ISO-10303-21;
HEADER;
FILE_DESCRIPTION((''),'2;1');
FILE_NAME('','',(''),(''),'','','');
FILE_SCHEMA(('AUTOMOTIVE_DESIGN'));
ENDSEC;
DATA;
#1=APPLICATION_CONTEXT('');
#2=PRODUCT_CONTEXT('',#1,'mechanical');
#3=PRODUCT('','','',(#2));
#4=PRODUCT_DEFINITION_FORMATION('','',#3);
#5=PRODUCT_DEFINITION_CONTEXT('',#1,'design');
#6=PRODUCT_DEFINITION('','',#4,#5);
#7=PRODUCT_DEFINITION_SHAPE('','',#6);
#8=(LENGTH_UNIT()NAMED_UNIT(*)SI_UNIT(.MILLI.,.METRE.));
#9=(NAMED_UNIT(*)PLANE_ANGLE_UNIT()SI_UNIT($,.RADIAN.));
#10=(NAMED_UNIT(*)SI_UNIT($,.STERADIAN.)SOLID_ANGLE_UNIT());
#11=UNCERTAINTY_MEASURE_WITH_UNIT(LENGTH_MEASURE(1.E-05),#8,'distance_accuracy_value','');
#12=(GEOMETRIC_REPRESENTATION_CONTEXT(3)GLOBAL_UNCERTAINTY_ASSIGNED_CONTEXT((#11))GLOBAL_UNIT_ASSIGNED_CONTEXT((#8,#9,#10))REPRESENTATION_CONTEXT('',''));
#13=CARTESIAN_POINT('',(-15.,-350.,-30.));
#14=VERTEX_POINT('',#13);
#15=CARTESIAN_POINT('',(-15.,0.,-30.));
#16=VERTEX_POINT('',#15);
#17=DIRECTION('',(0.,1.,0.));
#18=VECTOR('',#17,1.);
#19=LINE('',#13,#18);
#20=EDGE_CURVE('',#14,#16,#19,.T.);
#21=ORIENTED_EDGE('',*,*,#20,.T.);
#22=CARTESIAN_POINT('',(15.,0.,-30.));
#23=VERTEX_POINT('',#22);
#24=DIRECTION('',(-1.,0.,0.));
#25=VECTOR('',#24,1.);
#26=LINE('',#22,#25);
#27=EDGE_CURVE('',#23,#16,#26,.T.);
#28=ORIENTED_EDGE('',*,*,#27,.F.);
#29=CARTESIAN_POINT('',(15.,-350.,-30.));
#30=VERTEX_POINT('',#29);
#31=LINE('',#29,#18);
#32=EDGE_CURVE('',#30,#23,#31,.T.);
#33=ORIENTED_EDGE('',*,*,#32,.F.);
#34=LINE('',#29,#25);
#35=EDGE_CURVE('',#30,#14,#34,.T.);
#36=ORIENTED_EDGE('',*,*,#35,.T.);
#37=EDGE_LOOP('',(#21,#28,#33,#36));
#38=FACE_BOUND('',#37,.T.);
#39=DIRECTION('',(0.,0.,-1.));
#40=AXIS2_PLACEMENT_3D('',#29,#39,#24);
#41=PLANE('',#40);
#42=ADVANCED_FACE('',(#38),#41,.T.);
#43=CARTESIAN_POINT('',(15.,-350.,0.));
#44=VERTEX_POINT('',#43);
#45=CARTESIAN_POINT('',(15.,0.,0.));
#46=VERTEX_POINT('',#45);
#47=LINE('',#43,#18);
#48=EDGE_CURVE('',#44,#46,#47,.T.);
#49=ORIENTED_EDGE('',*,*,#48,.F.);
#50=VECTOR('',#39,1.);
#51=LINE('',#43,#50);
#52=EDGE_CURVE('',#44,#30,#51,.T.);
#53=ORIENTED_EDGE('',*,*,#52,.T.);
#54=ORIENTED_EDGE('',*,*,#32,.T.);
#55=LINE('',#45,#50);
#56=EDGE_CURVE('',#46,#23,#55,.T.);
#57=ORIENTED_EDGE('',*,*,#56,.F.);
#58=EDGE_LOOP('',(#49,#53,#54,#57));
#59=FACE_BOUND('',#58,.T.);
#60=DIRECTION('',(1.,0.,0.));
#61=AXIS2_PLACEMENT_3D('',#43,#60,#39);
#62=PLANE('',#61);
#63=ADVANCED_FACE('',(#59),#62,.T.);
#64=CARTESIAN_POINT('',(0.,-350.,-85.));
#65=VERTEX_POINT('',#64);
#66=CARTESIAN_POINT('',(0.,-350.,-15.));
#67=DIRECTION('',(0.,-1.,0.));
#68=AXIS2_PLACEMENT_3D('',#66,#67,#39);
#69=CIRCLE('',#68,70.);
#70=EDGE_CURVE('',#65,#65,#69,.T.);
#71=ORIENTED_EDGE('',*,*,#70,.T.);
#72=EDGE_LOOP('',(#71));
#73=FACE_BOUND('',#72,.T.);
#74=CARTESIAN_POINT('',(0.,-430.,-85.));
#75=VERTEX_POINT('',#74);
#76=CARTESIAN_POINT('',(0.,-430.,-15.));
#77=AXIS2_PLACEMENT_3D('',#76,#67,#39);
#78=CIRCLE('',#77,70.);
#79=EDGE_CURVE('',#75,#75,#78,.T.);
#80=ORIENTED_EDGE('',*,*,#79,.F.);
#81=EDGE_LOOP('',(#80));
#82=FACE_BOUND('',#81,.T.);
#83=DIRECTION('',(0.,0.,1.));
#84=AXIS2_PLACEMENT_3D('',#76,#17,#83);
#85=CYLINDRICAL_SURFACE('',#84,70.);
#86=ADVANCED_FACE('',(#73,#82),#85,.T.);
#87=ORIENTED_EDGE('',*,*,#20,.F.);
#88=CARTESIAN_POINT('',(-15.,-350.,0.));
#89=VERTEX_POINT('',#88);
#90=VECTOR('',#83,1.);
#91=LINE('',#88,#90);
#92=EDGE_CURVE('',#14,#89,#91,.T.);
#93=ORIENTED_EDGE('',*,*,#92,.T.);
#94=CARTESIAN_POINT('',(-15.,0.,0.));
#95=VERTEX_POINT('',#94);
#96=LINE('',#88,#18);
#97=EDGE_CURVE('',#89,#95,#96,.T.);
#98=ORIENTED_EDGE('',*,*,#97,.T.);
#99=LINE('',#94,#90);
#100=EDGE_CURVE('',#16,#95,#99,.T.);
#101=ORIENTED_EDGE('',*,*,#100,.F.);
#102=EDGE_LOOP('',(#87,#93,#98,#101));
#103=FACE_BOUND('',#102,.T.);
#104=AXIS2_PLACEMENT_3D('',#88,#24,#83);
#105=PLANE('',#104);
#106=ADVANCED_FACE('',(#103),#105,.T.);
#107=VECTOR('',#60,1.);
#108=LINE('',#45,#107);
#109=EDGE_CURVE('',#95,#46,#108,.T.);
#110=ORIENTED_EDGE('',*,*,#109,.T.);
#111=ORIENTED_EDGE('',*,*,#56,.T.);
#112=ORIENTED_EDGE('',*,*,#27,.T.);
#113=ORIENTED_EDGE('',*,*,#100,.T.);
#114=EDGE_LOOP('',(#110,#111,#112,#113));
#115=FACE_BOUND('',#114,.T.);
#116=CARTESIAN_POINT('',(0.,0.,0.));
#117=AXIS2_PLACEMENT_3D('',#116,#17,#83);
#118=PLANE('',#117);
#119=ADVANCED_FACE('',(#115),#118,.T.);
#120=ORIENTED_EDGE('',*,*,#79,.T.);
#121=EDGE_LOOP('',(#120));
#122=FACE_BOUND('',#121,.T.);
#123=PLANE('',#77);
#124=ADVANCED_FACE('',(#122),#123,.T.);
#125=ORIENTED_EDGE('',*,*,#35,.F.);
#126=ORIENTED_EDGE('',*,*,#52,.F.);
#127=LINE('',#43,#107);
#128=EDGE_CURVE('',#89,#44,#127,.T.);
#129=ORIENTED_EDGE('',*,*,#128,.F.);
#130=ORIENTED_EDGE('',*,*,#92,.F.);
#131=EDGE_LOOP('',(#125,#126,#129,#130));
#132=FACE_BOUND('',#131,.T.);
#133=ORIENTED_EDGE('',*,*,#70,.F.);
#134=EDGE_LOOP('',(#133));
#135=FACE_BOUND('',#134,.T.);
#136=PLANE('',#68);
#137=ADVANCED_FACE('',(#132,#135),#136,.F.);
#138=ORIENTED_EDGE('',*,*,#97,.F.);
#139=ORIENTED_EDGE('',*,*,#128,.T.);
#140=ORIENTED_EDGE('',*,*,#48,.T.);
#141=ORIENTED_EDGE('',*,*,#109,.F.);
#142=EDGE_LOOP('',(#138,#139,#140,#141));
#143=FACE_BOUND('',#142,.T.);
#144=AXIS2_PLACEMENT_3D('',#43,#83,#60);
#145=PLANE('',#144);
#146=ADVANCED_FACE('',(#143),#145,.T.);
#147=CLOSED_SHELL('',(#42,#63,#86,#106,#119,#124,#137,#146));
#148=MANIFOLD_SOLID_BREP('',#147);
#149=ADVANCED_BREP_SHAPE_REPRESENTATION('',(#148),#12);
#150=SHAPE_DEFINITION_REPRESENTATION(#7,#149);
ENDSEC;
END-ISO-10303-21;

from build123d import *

# Parameters (mm, degrees)
SKETCH1_W           = 30
SKETCH1_H           = 30
BOSS_EXTRUDE1_DEPTH = 350
SKETCH2_R           = 70
BOSS_EXTRUDE2_DEPTH = 80


with BuildPart() as part:
    # Sketch1 → Boss-Extrude1 (new body)
    with BuildSketch(Plane(origin=(0, 0, 0), x_dir=(1, 0, 0), z_dir=(0, 1, 0))):
        with Locations((0, 15)):
            Rectangle(SKETCH1_W, SKETCH1_H)
    extrude(amount=-BOSS_EXTRUDE1_DEPTH)

    # Sketch2 → Boss-Extrude2 (add)
    with BuildSketch(Plane.XZ.offset(350)):
        with Locations(Location((0, -15, 0), (0, 0, 270))):
            Circle(SKETCH2_R)
    extrude(amount=BOSS_EXTRUDE2_DEPTH)


solid = part.part
